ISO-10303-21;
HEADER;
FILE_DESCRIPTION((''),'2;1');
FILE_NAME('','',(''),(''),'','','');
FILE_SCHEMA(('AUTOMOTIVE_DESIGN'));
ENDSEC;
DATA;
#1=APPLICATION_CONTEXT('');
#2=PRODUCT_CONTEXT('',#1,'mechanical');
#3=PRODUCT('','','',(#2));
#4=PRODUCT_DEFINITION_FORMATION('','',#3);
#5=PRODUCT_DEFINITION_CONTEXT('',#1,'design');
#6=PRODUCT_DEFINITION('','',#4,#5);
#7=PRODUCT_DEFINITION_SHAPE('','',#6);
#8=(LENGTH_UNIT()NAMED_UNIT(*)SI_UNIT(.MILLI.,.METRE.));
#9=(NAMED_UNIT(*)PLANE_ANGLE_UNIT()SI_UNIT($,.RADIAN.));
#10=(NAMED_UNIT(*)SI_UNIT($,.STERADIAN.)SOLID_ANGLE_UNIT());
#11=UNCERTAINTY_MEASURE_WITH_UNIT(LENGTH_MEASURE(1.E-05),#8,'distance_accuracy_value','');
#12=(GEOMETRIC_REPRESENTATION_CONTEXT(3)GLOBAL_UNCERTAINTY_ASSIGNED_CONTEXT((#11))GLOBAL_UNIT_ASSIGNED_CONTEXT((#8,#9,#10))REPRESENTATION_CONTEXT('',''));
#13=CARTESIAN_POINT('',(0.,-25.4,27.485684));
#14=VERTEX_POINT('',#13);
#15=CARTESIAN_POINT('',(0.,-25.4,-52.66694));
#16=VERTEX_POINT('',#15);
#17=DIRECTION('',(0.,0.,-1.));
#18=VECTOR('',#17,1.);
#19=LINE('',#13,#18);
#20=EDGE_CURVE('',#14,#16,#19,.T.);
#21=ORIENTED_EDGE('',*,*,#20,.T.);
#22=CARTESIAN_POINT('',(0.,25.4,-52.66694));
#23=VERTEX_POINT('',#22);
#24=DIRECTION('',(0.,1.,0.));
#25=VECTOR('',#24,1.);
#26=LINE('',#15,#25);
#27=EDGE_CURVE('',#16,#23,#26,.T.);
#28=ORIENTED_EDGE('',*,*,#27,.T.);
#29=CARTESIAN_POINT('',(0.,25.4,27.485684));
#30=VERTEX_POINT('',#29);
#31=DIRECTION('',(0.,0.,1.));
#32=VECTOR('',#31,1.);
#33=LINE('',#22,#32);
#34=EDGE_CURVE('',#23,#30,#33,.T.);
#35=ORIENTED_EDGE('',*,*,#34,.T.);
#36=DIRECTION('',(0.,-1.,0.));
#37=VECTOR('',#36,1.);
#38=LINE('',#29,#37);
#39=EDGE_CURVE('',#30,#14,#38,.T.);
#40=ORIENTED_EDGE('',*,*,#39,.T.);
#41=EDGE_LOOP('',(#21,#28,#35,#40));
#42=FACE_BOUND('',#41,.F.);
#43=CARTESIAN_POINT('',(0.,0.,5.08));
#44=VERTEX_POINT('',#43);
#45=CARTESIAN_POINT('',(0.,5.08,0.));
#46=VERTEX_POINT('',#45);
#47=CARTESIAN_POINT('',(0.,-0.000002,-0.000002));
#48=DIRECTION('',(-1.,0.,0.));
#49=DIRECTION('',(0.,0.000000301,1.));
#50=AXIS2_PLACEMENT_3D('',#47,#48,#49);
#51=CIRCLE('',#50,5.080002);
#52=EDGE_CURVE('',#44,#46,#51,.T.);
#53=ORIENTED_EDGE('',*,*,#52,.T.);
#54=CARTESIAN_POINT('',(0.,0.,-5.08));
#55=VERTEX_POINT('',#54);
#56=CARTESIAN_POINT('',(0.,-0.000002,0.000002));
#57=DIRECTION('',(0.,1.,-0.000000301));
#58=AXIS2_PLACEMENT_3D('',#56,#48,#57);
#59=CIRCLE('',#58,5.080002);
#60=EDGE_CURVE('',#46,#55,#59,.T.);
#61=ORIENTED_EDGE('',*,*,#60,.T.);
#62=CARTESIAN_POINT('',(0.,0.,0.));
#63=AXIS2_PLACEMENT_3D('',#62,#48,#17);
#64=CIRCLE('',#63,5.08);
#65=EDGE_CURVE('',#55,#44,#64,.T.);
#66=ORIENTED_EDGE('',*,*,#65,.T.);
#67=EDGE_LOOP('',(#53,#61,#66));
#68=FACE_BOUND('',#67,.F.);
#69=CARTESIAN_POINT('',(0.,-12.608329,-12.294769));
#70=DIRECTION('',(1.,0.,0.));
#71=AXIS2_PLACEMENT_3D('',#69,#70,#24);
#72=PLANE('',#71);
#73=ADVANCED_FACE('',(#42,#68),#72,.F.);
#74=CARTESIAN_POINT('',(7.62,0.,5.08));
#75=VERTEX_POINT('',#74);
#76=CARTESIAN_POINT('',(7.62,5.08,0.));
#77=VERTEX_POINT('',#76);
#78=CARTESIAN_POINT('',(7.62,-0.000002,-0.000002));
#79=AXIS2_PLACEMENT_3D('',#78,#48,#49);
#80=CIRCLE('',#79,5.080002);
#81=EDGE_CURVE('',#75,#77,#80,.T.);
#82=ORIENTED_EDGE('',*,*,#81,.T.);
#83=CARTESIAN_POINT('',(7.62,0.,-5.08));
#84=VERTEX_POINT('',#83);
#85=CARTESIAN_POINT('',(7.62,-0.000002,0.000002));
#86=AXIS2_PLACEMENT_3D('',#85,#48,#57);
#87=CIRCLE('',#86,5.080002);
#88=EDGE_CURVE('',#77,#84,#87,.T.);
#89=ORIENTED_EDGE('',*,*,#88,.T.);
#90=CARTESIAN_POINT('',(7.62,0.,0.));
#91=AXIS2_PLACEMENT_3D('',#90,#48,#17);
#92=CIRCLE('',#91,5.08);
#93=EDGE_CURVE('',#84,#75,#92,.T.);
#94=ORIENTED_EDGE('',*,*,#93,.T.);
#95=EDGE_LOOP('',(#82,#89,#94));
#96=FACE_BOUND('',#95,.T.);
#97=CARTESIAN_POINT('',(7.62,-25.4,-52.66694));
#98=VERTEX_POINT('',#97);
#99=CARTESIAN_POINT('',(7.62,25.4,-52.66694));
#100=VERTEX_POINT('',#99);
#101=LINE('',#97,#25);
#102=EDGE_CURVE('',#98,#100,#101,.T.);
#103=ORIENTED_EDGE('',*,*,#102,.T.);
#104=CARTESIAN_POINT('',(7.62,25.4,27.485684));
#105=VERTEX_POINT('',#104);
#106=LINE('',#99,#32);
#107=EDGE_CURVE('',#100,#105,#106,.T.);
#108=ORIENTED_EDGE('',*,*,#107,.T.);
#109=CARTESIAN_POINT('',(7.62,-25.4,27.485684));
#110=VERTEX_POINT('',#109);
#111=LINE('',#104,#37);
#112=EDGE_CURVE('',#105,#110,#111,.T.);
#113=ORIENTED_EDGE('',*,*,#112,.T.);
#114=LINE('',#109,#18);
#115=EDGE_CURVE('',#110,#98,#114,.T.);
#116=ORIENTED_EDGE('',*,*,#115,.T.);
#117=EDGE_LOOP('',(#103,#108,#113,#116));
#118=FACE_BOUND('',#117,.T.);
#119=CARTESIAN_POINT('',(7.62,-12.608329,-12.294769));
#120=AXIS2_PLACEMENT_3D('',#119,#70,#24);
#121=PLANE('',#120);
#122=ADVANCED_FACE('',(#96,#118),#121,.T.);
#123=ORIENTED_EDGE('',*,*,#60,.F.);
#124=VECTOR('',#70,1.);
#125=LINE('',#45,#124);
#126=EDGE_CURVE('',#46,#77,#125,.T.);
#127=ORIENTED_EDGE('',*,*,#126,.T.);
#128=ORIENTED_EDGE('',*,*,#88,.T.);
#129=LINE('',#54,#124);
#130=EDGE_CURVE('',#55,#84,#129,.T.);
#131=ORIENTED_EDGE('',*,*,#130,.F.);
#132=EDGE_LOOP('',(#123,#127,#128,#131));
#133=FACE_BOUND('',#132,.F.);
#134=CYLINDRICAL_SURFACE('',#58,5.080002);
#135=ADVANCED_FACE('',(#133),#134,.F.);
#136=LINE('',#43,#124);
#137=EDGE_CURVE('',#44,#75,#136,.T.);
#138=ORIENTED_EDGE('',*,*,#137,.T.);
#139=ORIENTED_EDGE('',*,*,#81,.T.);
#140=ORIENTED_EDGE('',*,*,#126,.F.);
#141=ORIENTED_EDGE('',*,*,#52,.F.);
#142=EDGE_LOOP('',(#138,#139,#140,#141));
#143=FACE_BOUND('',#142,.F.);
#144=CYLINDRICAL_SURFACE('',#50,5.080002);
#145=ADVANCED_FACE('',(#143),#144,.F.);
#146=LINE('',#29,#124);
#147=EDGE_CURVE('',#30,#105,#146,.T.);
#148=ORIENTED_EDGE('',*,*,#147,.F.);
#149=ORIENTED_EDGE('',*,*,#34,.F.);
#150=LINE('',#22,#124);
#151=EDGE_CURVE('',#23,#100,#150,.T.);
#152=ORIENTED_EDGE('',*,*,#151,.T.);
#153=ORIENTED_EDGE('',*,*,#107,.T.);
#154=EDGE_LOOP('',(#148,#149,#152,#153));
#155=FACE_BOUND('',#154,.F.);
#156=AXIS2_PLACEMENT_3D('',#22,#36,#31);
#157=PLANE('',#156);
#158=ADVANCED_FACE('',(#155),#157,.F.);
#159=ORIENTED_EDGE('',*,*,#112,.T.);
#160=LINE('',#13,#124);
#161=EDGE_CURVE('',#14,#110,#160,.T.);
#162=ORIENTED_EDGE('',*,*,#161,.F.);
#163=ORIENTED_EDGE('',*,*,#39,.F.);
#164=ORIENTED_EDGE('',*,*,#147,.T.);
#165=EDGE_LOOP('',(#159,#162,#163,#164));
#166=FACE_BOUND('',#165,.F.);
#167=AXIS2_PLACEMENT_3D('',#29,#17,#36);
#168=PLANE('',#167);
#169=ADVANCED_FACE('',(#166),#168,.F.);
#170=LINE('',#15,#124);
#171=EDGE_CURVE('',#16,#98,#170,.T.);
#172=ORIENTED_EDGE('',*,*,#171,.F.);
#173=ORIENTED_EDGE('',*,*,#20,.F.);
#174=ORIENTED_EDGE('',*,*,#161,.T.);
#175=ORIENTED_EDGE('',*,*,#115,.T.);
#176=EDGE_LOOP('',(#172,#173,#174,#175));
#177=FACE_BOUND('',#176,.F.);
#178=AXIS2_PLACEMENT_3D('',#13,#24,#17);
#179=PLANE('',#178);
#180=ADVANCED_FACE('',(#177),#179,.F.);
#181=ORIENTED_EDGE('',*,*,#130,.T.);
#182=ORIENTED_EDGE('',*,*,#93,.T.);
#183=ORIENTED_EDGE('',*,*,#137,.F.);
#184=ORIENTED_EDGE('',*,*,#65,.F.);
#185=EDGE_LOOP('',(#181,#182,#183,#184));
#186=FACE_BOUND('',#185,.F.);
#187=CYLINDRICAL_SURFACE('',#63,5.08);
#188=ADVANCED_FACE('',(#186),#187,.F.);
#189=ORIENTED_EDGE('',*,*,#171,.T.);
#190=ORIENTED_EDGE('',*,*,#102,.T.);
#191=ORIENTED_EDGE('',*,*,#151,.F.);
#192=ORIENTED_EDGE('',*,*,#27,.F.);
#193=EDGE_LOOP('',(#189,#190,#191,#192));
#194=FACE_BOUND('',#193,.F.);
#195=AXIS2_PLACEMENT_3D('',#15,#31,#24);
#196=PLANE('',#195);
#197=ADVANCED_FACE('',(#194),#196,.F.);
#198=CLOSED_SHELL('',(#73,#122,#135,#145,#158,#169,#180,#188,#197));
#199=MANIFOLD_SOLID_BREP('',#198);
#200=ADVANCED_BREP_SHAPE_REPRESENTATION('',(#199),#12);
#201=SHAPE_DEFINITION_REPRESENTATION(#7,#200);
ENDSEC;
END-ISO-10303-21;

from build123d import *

# Parameters (mm, degrees)
F1_DEPTH = 7.62


with BuildPart() as f1:
    # F0 (on Right) → F1 (new body)
    with BuildSketch(Plane.YZ):
        with BuildLine():
            ThreePointArc((0, -5.08), (-5.08, 0), (0, 5.08))
            Line((0, 5.08), (0, 27.485684))
            Line((0, 27.485684), (-25.4, 27.485684))
            Line((-25.4, 27.485684), (-25.4, -52.66694))
            Line((-25.4, -52.66694), (0, -52.66694))
            Line((0, -52.66694), (0, -5.08))
        make_face()
        with BuildLine():
            ThreePointArc((0, 5.08), (3.592102, 3.592102), (5.08, 0))
            ThreePointArc((5.08, 0), (3.592102, -3.592102), (0, -5.08))
            Line((0, -5.08), (0, -52.66694))
            Line((0, -52.66694), (25.4, -52.66694))
            Line((25.4, -52.66694), (25.4, 27.485684))
            Line((25.4, 27.485684), (0, 27.485684))
            Line((0, 27.485684), (0, 5.08))
        make_face()
    extrude(amount=F1_DEPTH)


solid = f1.part
